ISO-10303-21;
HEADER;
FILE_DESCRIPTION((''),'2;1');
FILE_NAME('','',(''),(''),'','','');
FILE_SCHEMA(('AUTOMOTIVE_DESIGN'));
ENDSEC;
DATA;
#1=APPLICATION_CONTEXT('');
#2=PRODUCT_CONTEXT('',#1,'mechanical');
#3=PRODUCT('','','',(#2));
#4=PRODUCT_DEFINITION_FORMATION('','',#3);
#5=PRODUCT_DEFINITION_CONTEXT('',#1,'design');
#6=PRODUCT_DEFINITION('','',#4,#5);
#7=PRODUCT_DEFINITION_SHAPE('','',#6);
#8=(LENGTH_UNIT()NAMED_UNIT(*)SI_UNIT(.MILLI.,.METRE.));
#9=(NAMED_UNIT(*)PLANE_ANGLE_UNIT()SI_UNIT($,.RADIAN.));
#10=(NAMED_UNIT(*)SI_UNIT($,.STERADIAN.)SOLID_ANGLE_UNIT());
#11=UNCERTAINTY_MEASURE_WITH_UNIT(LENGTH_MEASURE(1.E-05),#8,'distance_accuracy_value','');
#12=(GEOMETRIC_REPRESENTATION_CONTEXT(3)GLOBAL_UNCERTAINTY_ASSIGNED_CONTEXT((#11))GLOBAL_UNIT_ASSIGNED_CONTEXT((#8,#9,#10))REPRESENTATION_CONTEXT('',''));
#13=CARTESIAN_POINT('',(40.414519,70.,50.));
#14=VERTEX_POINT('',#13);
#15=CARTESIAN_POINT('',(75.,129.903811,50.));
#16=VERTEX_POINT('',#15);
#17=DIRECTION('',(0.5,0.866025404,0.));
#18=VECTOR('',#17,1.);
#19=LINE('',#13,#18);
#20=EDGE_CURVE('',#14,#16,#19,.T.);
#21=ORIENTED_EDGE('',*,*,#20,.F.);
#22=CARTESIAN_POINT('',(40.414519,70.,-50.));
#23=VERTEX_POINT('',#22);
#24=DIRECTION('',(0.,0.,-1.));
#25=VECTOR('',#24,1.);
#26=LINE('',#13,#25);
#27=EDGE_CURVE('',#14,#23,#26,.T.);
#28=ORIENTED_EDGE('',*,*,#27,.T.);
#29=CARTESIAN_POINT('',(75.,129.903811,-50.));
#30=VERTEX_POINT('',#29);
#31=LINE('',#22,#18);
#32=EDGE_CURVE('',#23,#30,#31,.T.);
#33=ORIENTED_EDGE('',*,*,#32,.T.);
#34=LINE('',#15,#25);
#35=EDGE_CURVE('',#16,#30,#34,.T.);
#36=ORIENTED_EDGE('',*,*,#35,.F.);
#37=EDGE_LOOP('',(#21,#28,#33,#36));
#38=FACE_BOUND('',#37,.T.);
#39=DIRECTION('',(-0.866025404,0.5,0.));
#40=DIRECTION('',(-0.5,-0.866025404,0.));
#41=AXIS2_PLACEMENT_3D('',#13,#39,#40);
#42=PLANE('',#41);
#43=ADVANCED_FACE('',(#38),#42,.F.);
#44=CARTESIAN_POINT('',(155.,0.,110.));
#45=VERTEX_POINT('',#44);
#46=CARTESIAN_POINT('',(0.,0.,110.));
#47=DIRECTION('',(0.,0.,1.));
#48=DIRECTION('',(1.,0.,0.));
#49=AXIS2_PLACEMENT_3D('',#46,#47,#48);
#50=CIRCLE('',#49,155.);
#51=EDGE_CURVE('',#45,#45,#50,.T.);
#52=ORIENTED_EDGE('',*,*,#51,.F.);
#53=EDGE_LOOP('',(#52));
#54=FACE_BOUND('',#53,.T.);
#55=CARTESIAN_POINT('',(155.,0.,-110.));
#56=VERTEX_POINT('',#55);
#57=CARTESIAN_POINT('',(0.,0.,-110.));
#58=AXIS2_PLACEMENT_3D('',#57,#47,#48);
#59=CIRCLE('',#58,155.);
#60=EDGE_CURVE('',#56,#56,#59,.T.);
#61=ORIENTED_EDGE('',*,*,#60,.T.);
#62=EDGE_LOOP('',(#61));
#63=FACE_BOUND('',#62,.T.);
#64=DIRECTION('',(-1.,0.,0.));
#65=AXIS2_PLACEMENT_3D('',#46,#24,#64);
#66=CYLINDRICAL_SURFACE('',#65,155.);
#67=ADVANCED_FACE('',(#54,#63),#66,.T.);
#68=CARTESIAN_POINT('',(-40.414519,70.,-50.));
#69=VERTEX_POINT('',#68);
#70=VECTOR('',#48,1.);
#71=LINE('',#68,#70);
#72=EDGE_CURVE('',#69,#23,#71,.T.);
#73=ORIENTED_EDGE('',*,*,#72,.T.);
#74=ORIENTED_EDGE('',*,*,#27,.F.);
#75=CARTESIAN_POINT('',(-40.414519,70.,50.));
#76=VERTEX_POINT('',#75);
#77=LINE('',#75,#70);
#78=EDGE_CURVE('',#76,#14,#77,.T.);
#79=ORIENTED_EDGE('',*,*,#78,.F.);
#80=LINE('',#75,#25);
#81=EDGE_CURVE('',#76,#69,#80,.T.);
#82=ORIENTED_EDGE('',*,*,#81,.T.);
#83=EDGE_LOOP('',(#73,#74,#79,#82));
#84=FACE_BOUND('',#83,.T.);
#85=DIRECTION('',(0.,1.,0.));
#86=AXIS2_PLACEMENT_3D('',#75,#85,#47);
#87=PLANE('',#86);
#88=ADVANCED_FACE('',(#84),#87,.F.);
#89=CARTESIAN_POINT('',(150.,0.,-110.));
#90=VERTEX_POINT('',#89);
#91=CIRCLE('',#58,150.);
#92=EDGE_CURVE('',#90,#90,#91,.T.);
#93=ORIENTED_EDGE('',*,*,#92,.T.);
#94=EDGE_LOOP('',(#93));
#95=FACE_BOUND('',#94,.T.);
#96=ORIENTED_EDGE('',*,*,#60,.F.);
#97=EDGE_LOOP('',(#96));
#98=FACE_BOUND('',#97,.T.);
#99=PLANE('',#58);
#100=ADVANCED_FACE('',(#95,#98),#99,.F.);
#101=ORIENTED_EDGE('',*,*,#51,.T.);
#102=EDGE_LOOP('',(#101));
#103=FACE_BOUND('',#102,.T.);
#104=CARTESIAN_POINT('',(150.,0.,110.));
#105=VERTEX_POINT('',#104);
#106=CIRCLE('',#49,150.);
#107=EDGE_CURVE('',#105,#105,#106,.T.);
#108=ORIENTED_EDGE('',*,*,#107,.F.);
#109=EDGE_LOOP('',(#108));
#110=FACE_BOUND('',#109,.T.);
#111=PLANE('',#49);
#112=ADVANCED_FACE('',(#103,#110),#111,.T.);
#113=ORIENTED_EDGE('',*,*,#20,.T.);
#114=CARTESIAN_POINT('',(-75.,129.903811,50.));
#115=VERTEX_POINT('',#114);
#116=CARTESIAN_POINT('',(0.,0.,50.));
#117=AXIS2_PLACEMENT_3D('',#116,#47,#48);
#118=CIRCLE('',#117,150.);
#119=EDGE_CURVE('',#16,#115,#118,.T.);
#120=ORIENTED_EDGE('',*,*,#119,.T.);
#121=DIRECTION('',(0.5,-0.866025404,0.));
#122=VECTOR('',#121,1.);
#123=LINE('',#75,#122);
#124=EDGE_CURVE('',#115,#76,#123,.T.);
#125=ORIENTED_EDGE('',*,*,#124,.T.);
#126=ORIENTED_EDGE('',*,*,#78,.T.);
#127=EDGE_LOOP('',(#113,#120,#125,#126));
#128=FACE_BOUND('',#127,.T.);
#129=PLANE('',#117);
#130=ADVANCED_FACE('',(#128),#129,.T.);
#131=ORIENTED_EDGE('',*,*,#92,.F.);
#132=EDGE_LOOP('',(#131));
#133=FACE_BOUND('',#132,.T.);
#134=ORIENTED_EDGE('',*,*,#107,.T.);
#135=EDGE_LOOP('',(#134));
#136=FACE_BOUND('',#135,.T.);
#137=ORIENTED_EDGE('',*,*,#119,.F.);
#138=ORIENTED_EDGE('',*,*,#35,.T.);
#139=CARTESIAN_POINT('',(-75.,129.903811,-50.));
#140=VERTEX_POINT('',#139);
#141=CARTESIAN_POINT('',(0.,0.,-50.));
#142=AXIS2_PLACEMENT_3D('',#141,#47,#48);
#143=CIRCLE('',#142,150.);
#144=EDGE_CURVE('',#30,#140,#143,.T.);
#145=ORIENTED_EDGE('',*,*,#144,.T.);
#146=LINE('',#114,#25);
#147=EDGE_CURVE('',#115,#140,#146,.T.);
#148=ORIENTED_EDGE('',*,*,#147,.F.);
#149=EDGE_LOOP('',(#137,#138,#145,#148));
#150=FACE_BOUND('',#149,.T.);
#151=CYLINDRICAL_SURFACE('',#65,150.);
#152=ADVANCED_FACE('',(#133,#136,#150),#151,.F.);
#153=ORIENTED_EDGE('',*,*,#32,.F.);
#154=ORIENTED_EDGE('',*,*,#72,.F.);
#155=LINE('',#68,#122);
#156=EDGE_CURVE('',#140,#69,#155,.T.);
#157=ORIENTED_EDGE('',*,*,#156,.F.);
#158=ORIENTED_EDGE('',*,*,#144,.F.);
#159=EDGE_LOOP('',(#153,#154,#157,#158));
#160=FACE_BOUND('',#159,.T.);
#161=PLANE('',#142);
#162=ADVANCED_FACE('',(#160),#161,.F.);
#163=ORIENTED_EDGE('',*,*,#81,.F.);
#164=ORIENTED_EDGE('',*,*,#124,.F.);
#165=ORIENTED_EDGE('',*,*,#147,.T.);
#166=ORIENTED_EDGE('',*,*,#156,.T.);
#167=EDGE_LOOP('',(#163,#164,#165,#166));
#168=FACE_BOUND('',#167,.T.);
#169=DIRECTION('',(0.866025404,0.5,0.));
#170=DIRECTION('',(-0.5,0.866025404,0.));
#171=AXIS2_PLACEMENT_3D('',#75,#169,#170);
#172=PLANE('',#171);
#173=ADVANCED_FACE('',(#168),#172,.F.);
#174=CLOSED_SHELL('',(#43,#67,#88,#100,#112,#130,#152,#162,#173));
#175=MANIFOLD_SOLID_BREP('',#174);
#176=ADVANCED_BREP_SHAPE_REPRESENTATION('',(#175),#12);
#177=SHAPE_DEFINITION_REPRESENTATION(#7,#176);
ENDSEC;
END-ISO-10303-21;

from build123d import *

# Parameters (mm, degrees)
SKETCH_1_R      = 155
SKETCH_1_R_2    = 150
EXTRUDE_1_DEPTH = 110
EXTRUDE_2_DEPTH = 50


with BuildPart() as part:
    # 草图1 → 凸台-拉伸1 (new body, symmetric)
    with BuildSketch(Plane.XY):
        Circle(SKETCH_1_R)
        Circle(SKETCH_1_R_2, mode=Mode.SUBTRACT)
    extrude(amount=EXTRUDE_1_DEPTH, both=True)

    # 草图2 → 凸台-拉伸2 (add, symmetric)
    with BuildSketch(Plane.XY):
        with BuildLine():
            Line((-40.414518843, 70), (-75, 129.903810568))
            ThreePointArc((-75, 129.903810568), (0, 150), (75, 129.903810568))
            Line((75, 129.903810568), (40.414518843, 70))
            Line((40.414518843, 70), (-40.414518843, 70))
        make_face()
    extrude(amount=EXTRUDE_2_DEPTH, both=True)


solid = part.part
